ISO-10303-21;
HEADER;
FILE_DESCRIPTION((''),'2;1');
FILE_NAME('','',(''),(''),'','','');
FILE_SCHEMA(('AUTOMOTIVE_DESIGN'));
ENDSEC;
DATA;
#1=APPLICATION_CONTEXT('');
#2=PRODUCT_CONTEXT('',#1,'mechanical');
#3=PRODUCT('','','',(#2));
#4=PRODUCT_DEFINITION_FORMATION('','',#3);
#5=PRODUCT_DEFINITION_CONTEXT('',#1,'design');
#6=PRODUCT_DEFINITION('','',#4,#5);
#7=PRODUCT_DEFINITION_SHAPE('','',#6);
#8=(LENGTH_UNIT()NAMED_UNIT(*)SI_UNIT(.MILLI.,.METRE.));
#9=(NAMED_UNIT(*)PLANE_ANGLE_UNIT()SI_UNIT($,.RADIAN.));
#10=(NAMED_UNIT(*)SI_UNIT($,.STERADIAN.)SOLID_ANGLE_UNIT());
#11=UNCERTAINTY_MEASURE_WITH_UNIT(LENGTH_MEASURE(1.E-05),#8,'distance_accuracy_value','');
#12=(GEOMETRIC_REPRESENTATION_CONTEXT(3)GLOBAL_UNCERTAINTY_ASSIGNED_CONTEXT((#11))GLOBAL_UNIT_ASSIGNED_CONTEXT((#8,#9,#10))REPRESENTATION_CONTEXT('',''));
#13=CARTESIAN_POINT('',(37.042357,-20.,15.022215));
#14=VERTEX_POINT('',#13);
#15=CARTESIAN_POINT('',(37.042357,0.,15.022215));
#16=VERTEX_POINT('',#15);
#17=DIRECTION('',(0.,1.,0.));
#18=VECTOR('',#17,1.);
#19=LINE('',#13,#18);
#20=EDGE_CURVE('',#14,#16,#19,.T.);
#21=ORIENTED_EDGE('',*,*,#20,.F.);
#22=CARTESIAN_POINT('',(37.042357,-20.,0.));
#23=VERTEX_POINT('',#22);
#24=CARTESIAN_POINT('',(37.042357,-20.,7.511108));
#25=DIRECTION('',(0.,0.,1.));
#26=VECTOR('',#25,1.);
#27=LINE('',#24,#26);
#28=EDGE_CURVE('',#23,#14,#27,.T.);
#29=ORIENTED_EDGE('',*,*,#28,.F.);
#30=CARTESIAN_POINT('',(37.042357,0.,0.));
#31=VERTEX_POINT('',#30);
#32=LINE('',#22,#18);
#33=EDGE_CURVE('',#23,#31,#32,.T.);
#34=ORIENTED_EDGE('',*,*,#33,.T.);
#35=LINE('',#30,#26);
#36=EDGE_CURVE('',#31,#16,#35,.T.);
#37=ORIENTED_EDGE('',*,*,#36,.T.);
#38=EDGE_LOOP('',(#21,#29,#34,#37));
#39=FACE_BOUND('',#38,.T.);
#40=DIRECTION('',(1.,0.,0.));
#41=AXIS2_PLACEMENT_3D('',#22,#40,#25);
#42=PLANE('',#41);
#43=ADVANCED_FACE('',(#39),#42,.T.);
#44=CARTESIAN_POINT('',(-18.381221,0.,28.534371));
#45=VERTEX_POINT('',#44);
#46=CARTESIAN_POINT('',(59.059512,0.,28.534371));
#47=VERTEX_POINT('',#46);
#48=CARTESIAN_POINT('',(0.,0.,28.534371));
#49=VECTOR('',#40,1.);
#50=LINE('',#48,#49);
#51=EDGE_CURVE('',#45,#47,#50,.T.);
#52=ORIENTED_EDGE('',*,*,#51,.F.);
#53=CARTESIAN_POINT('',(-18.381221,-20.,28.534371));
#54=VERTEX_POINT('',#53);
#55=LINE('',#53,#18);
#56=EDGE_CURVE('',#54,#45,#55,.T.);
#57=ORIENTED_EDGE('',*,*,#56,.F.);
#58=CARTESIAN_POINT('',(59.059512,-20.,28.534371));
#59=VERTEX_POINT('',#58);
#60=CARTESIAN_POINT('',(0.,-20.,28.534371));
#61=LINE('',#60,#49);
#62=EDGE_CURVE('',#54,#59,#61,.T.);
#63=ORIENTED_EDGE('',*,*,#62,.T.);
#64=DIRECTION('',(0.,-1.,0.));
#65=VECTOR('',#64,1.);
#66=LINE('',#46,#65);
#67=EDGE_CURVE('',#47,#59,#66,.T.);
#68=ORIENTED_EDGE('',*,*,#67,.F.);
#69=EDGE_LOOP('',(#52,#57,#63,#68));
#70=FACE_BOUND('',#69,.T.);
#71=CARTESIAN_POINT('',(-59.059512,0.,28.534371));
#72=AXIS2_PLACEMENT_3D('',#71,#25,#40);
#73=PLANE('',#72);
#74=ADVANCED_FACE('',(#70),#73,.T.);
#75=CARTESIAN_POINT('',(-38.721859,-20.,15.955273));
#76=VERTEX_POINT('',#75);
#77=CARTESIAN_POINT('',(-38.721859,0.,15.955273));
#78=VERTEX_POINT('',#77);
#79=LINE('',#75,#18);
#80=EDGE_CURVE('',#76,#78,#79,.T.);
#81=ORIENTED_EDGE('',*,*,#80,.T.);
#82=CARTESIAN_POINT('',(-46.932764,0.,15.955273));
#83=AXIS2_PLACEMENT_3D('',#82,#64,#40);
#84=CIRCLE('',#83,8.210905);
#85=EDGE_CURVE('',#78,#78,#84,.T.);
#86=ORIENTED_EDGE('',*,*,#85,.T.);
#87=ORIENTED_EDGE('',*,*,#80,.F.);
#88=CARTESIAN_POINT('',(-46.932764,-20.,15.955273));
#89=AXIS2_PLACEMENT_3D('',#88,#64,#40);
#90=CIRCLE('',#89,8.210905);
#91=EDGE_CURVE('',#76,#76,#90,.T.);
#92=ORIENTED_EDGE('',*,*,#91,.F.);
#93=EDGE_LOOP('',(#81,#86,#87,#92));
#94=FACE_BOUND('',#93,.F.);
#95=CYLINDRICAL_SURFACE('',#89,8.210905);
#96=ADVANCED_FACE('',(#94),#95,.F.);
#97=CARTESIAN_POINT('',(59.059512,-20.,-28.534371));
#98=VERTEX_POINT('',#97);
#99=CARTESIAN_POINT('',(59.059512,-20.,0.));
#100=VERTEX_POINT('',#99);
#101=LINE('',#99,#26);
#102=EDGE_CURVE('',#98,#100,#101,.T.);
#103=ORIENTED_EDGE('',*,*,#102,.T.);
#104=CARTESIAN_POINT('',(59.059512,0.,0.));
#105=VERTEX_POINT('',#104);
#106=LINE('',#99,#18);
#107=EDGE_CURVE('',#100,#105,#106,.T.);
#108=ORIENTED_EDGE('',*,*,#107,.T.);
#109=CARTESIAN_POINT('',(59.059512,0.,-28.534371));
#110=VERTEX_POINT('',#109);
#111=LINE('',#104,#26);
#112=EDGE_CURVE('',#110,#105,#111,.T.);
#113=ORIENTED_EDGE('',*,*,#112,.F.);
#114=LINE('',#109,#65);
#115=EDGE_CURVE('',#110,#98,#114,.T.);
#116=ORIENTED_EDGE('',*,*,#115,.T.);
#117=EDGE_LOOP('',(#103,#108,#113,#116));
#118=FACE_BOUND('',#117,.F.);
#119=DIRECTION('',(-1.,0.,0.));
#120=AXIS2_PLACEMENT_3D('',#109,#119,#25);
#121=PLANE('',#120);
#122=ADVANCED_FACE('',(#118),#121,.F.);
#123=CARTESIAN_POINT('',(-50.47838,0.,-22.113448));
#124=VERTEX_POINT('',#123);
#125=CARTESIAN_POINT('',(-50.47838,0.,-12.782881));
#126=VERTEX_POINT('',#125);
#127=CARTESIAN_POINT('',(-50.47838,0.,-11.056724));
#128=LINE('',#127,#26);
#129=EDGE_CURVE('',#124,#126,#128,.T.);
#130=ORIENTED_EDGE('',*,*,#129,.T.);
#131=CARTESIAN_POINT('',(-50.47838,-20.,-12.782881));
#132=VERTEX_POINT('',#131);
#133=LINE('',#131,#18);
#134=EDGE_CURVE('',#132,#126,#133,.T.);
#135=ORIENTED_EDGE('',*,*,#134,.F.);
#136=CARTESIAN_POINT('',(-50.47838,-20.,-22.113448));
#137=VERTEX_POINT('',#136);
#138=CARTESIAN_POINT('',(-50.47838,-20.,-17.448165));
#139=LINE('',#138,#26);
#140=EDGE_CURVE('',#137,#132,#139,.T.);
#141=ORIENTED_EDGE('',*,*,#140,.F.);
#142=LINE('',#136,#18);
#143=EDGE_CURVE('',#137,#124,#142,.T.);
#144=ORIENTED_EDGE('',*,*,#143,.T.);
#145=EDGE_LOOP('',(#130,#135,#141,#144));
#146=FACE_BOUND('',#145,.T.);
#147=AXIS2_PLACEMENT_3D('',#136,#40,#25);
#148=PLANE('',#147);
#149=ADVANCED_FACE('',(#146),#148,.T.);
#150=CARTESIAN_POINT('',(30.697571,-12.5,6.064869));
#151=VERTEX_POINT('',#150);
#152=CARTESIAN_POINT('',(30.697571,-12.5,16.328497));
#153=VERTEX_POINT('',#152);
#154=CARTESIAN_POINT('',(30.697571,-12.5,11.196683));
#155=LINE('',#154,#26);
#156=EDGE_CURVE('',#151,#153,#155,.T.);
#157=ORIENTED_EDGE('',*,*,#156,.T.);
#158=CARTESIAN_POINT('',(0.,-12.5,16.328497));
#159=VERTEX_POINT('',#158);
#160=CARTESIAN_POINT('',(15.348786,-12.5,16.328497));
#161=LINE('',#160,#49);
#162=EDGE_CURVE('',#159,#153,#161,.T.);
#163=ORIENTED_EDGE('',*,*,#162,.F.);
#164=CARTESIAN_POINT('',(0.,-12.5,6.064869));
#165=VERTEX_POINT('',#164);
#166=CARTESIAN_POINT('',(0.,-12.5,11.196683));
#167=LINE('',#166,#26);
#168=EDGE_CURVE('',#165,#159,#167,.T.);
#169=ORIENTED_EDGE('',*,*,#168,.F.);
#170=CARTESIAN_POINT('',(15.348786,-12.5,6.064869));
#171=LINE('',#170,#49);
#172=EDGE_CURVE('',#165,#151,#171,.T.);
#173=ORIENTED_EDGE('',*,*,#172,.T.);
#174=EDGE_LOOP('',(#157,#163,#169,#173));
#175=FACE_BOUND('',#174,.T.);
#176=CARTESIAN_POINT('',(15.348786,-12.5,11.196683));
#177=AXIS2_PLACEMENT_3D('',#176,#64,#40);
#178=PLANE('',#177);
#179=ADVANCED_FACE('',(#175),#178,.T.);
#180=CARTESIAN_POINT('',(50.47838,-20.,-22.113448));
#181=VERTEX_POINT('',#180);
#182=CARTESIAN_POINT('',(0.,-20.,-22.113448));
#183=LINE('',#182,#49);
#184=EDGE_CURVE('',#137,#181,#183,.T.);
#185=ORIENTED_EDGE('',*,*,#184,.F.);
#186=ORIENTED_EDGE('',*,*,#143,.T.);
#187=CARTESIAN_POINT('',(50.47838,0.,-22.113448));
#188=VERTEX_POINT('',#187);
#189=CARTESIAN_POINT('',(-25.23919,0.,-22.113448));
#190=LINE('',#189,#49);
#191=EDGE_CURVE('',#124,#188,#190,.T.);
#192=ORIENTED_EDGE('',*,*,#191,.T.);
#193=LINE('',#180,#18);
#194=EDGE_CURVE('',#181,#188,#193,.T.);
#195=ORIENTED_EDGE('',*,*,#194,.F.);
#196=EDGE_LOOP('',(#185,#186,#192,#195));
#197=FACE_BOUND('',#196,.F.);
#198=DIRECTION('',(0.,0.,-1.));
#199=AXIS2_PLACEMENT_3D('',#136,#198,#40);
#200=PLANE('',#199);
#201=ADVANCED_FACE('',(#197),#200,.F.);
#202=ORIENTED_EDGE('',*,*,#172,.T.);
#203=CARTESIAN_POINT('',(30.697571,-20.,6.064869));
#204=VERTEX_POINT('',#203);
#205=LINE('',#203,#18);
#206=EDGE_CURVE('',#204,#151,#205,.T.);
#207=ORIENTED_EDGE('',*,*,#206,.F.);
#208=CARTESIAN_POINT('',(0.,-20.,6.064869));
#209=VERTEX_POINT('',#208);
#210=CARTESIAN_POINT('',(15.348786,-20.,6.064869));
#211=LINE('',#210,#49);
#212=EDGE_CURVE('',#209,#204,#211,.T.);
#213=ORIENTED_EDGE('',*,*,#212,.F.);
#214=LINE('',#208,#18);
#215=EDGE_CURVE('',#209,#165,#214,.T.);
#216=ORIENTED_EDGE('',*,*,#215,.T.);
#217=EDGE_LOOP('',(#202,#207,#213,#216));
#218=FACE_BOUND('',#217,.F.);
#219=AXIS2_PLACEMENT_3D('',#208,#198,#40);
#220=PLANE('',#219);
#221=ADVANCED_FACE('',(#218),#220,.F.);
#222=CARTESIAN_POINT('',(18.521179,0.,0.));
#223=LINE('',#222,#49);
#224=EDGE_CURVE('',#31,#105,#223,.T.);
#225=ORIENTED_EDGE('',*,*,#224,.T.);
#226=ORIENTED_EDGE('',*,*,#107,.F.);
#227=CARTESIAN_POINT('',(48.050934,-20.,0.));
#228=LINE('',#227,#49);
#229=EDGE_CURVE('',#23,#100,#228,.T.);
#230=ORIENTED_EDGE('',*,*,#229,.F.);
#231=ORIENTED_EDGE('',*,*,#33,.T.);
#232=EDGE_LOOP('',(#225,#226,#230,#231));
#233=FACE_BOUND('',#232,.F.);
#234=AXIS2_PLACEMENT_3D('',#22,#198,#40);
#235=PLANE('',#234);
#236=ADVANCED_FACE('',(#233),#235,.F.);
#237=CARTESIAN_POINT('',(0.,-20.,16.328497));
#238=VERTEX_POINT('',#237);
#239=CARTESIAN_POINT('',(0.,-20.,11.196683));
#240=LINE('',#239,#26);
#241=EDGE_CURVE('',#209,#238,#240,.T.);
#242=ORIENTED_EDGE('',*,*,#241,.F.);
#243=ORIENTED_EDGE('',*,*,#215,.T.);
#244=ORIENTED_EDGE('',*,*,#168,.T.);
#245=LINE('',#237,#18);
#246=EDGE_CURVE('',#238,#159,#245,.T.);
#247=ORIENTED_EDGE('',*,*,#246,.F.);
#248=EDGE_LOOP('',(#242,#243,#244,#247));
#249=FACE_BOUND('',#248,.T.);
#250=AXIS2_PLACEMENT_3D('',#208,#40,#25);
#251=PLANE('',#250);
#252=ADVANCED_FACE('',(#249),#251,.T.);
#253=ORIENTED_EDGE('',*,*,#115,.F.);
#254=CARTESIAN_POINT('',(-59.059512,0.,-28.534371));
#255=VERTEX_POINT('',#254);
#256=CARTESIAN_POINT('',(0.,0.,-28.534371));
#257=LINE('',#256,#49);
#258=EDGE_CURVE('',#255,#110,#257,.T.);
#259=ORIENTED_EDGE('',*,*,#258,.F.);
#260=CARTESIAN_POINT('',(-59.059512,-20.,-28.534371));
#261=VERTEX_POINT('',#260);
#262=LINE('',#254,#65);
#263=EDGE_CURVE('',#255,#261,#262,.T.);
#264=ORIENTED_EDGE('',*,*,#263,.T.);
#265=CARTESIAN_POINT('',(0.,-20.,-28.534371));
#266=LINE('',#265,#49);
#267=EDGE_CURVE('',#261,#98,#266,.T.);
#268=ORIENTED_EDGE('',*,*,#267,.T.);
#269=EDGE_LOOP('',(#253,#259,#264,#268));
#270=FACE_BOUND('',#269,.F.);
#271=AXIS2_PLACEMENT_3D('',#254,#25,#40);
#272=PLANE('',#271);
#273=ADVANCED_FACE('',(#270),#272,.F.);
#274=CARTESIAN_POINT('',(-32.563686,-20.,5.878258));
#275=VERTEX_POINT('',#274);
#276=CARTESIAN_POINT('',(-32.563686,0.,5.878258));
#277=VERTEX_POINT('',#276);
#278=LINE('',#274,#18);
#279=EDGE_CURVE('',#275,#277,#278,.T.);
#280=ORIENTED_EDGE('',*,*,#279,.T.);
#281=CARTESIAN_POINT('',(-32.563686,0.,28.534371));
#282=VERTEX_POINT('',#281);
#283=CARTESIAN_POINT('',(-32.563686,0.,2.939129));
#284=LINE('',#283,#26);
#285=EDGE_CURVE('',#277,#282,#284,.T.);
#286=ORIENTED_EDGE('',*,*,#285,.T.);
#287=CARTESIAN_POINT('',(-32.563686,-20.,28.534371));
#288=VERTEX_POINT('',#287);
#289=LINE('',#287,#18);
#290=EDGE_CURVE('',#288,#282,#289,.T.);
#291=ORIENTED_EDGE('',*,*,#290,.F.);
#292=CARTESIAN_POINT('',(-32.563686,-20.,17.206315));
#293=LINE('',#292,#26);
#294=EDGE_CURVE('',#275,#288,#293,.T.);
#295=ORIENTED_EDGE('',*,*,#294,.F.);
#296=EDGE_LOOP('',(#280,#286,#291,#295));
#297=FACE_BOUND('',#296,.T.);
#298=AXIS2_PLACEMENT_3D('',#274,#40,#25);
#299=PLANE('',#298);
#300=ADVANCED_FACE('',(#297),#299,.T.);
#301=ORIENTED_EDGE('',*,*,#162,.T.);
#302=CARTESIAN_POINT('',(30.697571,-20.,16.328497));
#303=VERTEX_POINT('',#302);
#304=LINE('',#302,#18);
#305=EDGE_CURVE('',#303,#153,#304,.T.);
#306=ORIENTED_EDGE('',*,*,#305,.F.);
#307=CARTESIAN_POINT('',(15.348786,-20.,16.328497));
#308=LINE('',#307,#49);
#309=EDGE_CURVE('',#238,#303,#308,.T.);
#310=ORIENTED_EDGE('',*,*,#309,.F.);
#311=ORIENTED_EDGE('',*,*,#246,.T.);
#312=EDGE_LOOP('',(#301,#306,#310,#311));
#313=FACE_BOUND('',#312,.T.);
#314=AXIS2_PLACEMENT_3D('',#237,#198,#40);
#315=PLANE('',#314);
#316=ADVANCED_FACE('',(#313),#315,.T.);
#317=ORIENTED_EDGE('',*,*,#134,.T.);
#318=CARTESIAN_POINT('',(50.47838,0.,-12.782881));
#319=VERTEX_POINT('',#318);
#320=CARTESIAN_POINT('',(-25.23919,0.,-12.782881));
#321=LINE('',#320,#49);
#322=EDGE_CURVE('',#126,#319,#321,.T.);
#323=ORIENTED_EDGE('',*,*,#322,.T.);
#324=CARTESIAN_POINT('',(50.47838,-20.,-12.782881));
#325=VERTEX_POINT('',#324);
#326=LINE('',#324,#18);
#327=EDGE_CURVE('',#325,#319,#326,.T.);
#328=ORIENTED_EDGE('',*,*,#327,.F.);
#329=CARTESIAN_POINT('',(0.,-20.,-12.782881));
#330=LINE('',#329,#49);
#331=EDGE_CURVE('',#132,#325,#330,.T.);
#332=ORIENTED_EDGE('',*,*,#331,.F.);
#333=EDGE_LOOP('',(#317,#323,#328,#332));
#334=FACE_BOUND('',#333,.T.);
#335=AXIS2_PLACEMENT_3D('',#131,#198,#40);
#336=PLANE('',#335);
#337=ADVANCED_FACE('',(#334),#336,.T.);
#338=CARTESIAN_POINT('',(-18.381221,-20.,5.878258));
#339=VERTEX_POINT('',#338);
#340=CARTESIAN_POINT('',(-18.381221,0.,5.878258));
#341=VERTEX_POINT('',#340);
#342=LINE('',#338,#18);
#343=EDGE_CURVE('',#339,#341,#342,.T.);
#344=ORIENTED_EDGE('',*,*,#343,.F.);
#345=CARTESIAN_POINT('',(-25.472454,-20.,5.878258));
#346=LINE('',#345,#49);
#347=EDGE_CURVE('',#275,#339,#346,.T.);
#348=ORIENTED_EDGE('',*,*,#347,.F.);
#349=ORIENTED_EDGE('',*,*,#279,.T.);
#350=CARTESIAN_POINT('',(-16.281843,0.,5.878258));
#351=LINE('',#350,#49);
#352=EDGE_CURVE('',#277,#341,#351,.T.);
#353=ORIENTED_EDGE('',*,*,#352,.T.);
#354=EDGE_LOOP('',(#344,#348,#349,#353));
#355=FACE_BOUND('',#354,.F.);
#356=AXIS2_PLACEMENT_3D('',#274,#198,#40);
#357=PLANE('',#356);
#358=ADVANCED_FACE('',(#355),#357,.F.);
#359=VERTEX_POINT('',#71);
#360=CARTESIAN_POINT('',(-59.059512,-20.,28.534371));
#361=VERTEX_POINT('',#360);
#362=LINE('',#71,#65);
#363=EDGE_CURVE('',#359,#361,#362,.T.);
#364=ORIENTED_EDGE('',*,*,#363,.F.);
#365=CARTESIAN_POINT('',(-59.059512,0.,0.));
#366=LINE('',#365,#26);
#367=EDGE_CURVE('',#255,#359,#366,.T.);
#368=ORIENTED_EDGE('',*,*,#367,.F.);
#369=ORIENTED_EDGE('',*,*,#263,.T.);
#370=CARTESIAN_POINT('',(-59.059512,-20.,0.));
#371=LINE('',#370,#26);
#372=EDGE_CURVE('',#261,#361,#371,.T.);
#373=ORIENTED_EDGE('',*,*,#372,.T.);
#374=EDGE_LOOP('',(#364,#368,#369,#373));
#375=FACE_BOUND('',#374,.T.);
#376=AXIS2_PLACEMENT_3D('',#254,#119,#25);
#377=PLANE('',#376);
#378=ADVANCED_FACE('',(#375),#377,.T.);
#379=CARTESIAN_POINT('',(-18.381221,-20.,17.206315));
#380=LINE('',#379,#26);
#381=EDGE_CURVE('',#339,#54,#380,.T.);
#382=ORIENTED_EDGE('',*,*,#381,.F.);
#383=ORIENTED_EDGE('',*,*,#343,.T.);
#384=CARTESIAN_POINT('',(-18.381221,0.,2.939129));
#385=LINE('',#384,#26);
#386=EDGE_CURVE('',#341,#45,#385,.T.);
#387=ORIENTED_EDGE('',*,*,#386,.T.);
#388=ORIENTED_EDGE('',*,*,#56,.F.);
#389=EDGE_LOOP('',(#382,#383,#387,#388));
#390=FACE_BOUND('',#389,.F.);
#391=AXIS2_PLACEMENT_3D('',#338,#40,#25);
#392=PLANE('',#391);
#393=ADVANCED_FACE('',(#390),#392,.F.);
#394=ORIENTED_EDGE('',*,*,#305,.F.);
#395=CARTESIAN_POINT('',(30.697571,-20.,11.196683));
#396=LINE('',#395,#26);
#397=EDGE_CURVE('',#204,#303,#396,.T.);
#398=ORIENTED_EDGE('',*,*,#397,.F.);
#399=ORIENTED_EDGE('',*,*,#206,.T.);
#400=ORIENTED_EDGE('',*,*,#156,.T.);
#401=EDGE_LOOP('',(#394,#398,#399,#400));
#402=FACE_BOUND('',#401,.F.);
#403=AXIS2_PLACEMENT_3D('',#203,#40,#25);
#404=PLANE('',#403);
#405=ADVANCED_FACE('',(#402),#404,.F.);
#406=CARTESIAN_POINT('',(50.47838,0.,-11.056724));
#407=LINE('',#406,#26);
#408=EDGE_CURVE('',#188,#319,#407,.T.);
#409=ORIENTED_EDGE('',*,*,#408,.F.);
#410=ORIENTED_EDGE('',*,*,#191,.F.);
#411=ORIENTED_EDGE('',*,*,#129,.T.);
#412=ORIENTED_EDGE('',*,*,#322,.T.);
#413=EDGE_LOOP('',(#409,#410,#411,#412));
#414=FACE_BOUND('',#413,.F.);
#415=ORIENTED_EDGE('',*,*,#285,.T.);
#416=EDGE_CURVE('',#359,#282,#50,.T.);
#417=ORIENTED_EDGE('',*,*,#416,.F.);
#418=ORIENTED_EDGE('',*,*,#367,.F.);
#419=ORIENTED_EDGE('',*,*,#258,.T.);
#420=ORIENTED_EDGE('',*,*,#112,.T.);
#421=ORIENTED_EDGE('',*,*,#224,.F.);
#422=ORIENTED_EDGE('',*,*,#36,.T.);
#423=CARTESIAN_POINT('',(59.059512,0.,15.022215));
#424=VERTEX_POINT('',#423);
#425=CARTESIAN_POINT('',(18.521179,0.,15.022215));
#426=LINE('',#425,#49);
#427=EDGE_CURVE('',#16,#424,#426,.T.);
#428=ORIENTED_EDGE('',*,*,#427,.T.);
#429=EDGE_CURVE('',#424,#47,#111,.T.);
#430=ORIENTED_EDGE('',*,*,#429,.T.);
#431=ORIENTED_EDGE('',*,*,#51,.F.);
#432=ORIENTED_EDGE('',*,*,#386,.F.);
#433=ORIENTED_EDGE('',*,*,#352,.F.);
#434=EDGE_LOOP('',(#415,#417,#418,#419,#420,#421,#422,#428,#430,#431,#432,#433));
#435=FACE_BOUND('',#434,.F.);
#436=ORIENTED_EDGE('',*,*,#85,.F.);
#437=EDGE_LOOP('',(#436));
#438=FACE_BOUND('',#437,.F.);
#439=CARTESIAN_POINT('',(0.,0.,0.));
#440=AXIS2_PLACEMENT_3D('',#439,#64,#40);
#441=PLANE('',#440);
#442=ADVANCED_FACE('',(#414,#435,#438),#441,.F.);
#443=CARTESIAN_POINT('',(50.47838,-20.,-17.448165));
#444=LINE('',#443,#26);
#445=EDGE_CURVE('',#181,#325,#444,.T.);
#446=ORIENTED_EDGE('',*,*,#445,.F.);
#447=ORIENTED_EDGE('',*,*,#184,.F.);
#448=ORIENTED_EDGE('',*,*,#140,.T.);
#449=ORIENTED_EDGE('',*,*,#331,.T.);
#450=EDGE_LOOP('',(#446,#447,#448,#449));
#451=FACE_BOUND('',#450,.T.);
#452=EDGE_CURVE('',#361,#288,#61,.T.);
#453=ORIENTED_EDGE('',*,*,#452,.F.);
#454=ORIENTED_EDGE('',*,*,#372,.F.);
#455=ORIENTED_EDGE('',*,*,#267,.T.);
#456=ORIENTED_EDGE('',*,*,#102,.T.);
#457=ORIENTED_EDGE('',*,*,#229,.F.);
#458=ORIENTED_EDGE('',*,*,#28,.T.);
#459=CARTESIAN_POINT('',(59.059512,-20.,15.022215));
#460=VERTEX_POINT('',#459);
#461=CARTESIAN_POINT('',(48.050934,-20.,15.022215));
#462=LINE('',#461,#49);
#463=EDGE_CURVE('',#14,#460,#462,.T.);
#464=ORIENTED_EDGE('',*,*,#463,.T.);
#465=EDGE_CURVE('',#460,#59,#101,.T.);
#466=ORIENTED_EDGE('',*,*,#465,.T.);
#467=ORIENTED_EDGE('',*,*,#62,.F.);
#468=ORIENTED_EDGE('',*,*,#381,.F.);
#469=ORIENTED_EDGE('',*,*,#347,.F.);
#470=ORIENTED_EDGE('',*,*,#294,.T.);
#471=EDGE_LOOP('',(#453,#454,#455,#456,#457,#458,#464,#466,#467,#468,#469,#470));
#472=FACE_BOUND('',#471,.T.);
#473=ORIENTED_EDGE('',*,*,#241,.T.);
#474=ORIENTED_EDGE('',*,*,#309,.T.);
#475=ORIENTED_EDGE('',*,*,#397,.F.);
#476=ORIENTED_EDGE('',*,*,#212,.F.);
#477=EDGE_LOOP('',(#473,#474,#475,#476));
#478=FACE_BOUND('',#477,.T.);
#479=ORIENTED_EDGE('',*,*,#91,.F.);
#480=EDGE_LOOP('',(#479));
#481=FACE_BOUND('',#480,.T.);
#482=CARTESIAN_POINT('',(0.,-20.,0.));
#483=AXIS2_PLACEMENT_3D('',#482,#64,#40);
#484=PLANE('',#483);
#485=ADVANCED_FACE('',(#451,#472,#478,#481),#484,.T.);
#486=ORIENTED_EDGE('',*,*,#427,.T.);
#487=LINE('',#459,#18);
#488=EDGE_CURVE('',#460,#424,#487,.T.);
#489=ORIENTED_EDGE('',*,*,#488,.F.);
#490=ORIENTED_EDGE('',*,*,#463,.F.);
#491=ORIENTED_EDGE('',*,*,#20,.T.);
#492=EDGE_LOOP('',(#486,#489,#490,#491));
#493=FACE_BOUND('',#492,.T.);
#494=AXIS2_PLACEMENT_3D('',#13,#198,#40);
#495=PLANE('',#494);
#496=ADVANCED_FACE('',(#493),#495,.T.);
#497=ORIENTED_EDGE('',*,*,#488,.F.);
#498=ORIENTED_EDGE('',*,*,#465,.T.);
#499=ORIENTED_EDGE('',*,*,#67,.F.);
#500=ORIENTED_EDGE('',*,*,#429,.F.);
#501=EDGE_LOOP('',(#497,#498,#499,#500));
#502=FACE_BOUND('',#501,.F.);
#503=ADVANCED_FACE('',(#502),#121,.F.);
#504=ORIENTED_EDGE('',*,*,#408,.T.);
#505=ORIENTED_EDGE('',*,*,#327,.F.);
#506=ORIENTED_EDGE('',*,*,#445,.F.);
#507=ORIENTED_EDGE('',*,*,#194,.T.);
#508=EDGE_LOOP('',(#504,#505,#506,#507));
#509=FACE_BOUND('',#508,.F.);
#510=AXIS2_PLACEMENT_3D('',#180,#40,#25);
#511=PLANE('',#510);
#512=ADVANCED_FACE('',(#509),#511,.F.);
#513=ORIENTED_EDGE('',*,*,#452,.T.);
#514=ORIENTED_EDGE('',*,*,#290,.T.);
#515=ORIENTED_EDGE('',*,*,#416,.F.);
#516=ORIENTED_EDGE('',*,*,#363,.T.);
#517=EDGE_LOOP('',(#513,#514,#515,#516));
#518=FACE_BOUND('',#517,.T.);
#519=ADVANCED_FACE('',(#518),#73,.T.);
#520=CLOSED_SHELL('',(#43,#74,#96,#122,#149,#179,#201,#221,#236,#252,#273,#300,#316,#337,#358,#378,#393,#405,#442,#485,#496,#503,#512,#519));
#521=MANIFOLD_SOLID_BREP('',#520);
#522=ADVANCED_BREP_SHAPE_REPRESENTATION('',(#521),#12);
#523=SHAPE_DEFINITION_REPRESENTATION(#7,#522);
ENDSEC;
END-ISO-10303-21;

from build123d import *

# Parameters (mm, degrees)
F0_W      = 118.1190237403
F0_H      = 57.0687428117
F1_DEPTH  = 20
F2_R      = 8.2109048963
F3_DEPTH  = 20.001
F4_W      = 14.182465151
F4_H      = 22.6561129093
F5_DEPTH  = 20.001
F6_W      = 30.6975711137
F6_H      = 10.263627395
F7_DEPTH  = 7.5
F8_W      = 22.0171548426
F8_H      = 15.0222154334
F9_DEPTH  = 20.001
F10_W     = 100.9567603469
F10_H     = 9.3305669725
F11_DEPTH = 20.001


with BuildPart() as f1:
    # F0 (on Front) → F1 (new body)
    with BuildSketch(Plane.XZ):
        Rectangle(F0_W, F0_H)
    extrude(amount=F1_DEPTH)

    # F2 (on face) → F3 (cut, through all)
    with BuildSketch(Plane.XZ.offset(20)):
        with Locations((-46.9327643514, 15.955273062)):
            Circle(F2_R)
    extrude(amount=-F3_DEPTH, mode=Mode.SUBTRACT)

    # F4 (on face) → F5 (cut, through all)
    with BuildSketch(Plane.XZ.offset(20)):
        with Locations((-25.4724537954, 17.2063149512)):
            Rectangle(F4_W, F4_H)
    extrude(amount=-F5_DEPTH, mode=Mode.SUBTRACT)

    # F6 (on face) → F7 (cut)
    with BuildSketch(Plane.XZ.offset(20)):
        with Locations((15.3487855569, 11.196683161)):
            Rectangle(F6_W, F6_H)
    extrude(amount=-F7_DEPTH, mode=Mode.SUBTRACT)

    # F8 (on face) → F9 (cut, through all)
    with BuildSketch(Plane.XZ.offset(20)):
        with Locations((48.0509344488, 7.5111077167)):
            Rectangle(F8_W, F8_H)
    extrude(amount=-F9_DEPTH, mode=Mode.SUBTRACT)

    # F10 (on face) → F11 (cut, through all)
    with BuildSketch(Plane.XZ.offset(20)):
        with Locations((0, -17.4481645226)):
            Rectangle(F10_W, F10_H)
    extrude(amount=-F11_DEPTH, mode=Mode.SUBTRACT)


solid = f1.part
